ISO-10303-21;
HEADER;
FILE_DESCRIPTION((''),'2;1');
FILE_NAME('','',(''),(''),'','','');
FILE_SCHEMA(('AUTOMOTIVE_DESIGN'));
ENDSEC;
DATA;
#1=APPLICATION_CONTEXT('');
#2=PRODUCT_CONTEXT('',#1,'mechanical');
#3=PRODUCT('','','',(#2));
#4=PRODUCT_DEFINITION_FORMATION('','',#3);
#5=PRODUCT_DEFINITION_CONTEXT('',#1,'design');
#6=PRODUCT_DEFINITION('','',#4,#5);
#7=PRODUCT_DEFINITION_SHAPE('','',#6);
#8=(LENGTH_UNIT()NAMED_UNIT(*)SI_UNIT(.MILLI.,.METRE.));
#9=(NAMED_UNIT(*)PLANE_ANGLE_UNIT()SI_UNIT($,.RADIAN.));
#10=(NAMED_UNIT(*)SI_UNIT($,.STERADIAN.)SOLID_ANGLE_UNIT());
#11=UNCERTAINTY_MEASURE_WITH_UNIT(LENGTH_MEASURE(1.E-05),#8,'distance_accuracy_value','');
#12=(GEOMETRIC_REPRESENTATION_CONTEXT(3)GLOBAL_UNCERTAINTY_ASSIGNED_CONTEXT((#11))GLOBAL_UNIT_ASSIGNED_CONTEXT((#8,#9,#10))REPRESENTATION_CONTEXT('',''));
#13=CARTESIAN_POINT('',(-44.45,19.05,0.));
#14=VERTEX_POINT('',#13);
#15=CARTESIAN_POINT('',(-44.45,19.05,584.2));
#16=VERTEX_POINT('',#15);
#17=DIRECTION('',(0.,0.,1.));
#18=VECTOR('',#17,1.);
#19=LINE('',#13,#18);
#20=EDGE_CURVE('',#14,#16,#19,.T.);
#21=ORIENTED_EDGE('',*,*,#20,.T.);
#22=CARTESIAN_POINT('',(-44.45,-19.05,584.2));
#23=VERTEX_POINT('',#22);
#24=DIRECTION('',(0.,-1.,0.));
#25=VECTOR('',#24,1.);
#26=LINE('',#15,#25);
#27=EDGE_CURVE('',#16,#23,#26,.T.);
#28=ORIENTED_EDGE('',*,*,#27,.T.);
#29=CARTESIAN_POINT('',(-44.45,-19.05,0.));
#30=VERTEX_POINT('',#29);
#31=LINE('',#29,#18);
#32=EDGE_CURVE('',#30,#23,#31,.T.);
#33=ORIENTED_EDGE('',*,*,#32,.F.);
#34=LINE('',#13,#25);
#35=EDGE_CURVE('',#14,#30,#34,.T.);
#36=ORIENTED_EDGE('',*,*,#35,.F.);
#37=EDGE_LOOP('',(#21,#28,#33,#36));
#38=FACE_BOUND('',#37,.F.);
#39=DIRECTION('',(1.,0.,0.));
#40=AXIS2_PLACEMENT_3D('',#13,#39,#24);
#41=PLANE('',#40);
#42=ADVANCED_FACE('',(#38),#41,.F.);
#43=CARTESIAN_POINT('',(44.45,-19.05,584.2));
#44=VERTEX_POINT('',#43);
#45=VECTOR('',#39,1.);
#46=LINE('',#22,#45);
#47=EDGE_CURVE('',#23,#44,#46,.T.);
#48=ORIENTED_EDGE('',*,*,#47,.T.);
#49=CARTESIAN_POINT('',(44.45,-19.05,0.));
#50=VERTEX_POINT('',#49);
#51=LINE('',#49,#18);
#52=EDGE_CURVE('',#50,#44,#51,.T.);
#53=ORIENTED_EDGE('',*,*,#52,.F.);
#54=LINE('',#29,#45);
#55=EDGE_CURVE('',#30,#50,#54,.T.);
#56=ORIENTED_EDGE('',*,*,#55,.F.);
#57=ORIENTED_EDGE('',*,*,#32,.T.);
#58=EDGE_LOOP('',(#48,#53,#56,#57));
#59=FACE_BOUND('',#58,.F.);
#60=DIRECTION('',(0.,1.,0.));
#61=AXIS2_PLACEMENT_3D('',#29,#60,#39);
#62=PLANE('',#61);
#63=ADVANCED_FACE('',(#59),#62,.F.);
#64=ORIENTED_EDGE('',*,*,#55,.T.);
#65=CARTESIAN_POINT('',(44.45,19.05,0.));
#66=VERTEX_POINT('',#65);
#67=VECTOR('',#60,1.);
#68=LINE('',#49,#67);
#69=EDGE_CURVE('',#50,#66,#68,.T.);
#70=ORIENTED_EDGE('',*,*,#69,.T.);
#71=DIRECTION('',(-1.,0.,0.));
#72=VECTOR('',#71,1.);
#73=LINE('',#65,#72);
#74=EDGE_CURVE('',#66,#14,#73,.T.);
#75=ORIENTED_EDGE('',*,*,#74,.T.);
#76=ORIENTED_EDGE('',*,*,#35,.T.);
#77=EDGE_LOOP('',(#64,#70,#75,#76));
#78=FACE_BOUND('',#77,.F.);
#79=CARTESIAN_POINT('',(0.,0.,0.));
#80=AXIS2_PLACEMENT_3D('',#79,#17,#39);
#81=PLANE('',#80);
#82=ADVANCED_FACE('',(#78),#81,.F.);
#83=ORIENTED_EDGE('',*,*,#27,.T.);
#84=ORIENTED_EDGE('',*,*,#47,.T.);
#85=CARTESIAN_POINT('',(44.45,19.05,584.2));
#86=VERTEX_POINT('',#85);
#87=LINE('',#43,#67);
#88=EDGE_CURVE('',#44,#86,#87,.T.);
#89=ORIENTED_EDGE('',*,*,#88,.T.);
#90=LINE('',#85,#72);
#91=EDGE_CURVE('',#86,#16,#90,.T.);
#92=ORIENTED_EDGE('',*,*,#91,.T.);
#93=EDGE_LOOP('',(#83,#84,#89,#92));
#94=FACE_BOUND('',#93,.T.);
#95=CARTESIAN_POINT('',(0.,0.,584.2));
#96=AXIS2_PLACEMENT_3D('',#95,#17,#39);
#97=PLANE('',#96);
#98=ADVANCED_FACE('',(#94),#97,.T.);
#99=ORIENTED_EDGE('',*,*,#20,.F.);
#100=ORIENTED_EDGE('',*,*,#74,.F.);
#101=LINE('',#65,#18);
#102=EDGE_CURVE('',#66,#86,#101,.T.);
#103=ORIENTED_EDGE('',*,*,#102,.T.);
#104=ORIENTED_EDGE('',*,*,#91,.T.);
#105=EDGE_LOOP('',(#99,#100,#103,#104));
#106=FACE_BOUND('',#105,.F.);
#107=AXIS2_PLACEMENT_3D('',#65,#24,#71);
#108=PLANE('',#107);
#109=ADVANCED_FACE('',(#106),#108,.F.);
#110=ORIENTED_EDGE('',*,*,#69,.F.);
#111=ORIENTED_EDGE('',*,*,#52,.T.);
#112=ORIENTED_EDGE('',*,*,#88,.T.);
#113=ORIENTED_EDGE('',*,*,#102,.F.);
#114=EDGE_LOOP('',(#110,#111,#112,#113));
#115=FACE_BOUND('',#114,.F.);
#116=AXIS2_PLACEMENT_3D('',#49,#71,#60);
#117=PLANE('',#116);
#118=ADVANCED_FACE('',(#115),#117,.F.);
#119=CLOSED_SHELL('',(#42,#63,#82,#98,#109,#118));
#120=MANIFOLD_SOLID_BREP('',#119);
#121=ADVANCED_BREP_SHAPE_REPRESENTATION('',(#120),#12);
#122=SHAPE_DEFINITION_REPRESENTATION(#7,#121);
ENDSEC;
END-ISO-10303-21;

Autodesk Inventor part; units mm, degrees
ref_plane "YZ Plane" through (0, 0, 0) normal (1, 0, 0) x (0, 1, 0)
ref_plane "XZ Plane" through (0, 0, 0) normal (0, 1, 0) x (-1, 0, 0)
ref_plane "XY Plane" through (0, 0, 0) normal (0, 0, 1) x (1, 0, 0)
sketch "Sketch1" plane through (0, 0, 0) normal (0, 0, 1) x (1, 0, 0)
  line L0 (-44.45, -19.05) -> (44.45, -19.05)
  line L1 (44.45, -19.05) -> (44.45, 19.05)
  line L2 (44.45, 19.05) -> (-44.45, 19.05)
  line L3 (-44.45, 19.05) -> (-44.45, -19.05)
  line L4 (-44.45, -19.05) -> (44.45, 19.05) construction
  line L5 (44.45, -19.05) -> (-44.45, 19.05) construction
  point P0 (0, 0)
  dimension "d0" = 88.9
  dimension "d1" = 38.1
extrude "Extrusion1" add sketch "Sketch1" along normal blind 584.2
properties part number "2x4x23"
